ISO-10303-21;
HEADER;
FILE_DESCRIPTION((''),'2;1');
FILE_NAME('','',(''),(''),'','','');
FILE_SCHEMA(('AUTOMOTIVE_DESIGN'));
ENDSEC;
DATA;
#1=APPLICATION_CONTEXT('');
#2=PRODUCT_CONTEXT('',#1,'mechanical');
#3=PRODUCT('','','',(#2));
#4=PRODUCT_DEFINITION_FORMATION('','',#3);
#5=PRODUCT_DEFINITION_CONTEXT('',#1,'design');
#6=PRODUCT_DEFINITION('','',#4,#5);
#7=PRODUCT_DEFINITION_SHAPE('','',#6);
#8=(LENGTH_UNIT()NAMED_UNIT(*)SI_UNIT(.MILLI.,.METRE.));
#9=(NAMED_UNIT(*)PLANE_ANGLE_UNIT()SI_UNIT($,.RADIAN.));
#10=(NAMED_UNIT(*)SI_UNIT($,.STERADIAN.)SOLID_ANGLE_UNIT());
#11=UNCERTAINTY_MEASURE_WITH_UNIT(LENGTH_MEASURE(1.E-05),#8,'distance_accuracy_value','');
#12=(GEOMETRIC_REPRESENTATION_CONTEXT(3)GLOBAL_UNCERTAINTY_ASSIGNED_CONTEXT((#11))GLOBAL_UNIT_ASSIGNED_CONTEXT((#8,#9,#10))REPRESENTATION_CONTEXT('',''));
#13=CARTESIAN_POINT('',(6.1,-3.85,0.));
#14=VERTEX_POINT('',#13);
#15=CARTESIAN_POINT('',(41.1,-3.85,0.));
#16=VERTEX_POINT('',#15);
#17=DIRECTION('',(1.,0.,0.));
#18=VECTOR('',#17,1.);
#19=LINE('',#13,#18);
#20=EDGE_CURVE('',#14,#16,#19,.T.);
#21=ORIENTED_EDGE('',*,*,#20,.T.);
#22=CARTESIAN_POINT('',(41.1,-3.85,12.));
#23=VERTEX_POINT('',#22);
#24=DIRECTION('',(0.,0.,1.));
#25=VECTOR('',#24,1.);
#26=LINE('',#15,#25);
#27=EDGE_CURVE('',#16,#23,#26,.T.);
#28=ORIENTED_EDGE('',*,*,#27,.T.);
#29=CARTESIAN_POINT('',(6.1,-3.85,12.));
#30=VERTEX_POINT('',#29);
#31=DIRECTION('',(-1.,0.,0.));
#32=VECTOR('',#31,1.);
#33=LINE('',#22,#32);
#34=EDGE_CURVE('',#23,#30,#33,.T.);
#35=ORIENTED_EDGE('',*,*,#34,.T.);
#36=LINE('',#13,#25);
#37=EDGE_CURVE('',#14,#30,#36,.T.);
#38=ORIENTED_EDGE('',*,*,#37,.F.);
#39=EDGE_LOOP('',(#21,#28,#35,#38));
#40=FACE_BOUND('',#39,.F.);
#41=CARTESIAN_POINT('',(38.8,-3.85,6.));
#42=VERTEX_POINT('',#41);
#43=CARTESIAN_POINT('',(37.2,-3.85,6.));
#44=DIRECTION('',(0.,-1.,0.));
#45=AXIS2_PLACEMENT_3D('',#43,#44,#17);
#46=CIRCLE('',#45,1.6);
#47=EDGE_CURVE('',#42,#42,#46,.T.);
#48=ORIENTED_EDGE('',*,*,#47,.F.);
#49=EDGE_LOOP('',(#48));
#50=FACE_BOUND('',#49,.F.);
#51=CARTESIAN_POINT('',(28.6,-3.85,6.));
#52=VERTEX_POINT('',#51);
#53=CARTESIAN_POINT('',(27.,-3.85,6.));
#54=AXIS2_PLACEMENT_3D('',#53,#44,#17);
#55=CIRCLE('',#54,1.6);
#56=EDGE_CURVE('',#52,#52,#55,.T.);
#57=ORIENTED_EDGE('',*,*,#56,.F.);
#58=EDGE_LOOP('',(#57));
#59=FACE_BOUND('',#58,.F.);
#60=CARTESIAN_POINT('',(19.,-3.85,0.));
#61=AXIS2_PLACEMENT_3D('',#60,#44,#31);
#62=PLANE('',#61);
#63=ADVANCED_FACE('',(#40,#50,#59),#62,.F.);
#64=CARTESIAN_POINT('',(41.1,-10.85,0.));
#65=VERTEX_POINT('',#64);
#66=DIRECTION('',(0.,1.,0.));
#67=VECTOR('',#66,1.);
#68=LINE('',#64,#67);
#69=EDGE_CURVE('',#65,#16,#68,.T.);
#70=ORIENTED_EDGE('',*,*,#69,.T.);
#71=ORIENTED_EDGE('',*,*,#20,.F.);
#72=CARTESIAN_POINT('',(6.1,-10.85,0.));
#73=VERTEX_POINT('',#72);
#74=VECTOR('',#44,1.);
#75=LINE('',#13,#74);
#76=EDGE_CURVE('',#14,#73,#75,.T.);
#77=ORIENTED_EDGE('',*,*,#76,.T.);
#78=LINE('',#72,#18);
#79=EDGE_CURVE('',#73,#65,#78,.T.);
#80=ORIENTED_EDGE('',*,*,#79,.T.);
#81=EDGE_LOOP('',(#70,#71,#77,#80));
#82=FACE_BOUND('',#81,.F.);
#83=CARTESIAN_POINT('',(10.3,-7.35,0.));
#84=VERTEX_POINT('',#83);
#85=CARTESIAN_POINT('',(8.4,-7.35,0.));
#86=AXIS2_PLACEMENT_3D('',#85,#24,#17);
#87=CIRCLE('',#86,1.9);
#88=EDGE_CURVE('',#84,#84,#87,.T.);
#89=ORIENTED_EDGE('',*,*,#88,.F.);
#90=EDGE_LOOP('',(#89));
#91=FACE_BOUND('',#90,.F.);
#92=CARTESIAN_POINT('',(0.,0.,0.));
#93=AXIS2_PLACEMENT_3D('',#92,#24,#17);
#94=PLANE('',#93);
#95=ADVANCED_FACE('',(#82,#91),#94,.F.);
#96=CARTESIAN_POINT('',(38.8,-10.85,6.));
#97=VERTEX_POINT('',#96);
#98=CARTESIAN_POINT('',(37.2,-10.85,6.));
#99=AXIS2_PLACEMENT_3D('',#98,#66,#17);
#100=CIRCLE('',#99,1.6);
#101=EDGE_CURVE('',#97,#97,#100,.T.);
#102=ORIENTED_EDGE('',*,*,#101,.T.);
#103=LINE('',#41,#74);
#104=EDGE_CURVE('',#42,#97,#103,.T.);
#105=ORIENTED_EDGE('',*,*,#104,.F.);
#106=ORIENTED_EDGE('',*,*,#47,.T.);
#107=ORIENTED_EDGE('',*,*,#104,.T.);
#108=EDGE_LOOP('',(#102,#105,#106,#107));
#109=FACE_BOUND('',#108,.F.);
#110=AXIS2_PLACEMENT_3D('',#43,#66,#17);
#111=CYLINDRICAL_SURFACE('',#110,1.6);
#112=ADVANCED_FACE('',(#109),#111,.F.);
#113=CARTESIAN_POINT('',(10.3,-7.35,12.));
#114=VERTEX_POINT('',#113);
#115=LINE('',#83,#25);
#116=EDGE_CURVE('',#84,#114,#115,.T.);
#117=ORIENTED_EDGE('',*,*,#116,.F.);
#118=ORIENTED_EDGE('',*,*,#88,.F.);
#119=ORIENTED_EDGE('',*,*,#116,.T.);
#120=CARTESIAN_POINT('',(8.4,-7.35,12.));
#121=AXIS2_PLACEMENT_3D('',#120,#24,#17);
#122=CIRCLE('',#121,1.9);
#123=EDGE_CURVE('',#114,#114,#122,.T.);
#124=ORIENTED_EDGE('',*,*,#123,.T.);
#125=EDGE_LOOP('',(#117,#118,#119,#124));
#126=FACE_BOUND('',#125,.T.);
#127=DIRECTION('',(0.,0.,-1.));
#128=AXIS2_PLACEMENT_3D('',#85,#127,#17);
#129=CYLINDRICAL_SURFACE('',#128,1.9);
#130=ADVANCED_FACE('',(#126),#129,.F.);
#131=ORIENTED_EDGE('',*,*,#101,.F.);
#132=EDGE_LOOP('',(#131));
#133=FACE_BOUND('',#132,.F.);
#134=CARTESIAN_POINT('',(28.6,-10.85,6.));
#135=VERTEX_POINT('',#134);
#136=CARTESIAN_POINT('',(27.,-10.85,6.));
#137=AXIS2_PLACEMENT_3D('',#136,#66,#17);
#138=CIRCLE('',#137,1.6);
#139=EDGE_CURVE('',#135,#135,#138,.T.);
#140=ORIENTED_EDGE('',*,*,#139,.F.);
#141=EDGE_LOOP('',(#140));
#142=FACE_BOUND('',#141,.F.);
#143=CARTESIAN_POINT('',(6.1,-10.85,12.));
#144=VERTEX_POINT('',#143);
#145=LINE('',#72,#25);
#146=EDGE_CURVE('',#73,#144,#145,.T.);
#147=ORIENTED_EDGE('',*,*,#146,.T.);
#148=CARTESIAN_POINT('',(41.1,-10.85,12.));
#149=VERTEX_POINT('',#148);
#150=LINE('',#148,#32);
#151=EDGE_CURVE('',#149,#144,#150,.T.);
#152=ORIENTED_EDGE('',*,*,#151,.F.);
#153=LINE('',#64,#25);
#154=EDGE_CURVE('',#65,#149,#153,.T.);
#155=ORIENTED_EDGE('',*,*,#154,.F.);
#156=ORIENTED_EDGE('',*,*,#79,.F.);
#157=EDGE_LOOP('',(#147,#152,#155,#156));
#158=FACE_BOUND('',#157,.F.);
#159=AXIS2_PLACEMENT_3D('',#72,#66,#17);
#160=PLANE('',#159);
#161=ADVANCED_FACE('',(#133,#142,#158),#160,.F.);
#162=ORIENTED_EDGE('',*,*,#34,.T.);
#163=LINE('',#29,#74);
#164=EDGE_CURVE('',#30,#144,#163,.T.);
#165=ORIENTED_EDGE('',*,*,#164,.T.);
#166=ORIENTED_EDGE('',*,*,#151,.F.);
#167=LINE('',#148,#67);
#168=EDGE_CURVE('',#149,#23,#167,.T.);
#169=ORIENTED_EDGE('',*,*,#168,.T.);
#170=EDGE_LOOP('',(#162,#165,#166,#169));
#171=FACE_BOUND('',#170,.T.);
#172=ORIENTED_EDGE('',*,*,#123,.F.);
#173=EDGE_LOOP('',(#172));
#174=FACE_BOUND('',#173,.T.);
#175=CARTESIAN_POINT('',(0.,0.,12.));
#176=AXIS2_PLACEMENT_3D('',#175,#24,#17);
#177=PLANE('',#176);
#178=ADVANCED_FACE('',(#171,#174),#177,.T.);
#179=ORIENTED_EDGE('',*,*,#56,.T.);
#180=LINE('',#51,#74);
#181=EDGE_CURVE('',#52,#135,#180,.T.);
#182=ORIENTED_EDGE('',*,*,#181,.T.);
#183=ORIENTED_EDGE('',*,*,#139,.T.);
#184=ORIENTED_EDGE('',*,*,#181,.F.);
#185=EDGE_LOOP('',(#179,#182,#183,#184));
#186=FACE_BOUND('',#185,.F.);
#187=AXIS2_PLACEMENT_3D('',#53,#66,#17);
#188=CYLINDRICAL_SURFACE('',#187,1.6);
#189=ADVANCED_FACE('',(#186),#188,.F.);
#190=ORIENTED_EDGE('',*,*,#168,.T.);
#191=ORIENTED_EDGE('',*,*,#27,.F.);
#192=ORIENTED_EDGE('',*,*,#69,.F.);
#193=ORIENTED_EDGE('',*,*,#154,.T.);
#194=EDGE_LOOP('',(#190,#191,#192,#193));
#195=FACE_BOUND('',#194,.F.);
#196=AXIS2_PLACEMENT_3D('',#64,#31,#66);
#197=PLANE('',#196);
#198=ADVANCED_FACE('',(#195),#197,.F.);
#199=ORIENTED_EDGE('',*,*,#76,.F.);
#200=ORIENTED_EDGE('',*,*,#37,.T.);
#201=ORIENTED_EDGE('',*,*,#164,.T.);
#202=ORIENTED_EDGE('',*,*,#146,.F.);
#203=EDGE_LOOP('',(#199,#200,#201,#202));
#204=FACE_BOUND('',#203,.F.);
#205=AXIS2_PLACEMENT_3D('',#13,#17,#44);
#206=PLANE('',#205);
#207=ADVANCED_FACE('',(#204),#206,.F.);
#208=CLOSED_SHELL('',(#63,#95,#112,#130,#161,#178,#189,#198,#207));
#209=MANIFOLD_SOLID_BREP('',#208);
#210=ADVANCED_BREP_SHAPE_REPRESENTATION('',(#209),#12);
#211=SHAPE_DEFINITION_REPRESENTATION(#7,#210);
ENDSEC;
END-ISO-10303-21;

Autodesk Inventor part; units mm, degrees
ref_plane "YZ Plane" through (0, 0, 0) normal (1, 0, 0) x (0, 1, 0)
ref_plane "XZ Plane" through (0, 0, 0) normal (0, 1, 0) x (-1, 0, 0)
ref_plane "XY Plane" through (0, 0, 0) normal (0, 0, 1) x (1, 0, 0)
sketch "Sketch1" plane through (0, 0, 0) normal (0, 0, 1) x (1, 0, 0)
  circle A0 centre (8.4, -37.55) radius 1.9 projected
  circle A1 centre (8.4, -7.35) radius 1.9 projected
  line L0 (19, -44.9) -> (0, -44.9) projected
  line L1 (19, 0) -> (19, -44.9) projected
  line L2 (0, 0) -> (19, 0) projected
  line L3 (0, 0) -> (0, -44.9) projected
  line L4 (41.1, -3.85) -> (6.1, -3.85)
  line L5 (6.1, -3.85) -> (6.1, -10.85)
  line L6 (6.1, -10.85) -> (41.1, -10.85)
  line L7 (41.1, -10.85) -> (41.1, -3.85)
  point P0 (41, -7.35)
  point P1 (30.9, -7.35)
  dimension "d0" = 35
  dimension "d1" = 7
extrude "Extrusion1" add sketch "Sketch1" along normal blind 12 contours L6 L5 L4 L1 | L1 L4 L7 L6
sketch "Sketch2" plane through (6.1, -3.85, 0) normal (0, 1, 0) x (1, 0, 0)
  line L0 (35, 0) -> (0, 0) projected
  line L1 (0, 0) -> (0, -12) projected
  line L2 (35, -12) -> (0, -12) projected
  line L3 (35, 0) -> (35, -12) projected
  line L4 (35, -6) -> (0, -6)
  circle A0 centre (20.9, -6) radius 1.6
  line L5 (19.3, -6) -> (32.7, -6)
  line L6 (32.7, -6) -> (31.1, -6)
  circle A1 centre (31.1, -6) radius 1.6
  line L7 (32.7, -6) -> (35, -6)
  point P0 (-6.1, 0)
  dimension "d5" = 3.2
  dimension "d6" = 13.4
  dimension "d7" = 1.6
  dimension "d8" = 2.3
extrude "Extrusion2" cut sketch "Sketch2" against normal blind 12 contours A1 L4 | L4 A1 | A0 L4 | L4 A0
properties part number "dedos"
